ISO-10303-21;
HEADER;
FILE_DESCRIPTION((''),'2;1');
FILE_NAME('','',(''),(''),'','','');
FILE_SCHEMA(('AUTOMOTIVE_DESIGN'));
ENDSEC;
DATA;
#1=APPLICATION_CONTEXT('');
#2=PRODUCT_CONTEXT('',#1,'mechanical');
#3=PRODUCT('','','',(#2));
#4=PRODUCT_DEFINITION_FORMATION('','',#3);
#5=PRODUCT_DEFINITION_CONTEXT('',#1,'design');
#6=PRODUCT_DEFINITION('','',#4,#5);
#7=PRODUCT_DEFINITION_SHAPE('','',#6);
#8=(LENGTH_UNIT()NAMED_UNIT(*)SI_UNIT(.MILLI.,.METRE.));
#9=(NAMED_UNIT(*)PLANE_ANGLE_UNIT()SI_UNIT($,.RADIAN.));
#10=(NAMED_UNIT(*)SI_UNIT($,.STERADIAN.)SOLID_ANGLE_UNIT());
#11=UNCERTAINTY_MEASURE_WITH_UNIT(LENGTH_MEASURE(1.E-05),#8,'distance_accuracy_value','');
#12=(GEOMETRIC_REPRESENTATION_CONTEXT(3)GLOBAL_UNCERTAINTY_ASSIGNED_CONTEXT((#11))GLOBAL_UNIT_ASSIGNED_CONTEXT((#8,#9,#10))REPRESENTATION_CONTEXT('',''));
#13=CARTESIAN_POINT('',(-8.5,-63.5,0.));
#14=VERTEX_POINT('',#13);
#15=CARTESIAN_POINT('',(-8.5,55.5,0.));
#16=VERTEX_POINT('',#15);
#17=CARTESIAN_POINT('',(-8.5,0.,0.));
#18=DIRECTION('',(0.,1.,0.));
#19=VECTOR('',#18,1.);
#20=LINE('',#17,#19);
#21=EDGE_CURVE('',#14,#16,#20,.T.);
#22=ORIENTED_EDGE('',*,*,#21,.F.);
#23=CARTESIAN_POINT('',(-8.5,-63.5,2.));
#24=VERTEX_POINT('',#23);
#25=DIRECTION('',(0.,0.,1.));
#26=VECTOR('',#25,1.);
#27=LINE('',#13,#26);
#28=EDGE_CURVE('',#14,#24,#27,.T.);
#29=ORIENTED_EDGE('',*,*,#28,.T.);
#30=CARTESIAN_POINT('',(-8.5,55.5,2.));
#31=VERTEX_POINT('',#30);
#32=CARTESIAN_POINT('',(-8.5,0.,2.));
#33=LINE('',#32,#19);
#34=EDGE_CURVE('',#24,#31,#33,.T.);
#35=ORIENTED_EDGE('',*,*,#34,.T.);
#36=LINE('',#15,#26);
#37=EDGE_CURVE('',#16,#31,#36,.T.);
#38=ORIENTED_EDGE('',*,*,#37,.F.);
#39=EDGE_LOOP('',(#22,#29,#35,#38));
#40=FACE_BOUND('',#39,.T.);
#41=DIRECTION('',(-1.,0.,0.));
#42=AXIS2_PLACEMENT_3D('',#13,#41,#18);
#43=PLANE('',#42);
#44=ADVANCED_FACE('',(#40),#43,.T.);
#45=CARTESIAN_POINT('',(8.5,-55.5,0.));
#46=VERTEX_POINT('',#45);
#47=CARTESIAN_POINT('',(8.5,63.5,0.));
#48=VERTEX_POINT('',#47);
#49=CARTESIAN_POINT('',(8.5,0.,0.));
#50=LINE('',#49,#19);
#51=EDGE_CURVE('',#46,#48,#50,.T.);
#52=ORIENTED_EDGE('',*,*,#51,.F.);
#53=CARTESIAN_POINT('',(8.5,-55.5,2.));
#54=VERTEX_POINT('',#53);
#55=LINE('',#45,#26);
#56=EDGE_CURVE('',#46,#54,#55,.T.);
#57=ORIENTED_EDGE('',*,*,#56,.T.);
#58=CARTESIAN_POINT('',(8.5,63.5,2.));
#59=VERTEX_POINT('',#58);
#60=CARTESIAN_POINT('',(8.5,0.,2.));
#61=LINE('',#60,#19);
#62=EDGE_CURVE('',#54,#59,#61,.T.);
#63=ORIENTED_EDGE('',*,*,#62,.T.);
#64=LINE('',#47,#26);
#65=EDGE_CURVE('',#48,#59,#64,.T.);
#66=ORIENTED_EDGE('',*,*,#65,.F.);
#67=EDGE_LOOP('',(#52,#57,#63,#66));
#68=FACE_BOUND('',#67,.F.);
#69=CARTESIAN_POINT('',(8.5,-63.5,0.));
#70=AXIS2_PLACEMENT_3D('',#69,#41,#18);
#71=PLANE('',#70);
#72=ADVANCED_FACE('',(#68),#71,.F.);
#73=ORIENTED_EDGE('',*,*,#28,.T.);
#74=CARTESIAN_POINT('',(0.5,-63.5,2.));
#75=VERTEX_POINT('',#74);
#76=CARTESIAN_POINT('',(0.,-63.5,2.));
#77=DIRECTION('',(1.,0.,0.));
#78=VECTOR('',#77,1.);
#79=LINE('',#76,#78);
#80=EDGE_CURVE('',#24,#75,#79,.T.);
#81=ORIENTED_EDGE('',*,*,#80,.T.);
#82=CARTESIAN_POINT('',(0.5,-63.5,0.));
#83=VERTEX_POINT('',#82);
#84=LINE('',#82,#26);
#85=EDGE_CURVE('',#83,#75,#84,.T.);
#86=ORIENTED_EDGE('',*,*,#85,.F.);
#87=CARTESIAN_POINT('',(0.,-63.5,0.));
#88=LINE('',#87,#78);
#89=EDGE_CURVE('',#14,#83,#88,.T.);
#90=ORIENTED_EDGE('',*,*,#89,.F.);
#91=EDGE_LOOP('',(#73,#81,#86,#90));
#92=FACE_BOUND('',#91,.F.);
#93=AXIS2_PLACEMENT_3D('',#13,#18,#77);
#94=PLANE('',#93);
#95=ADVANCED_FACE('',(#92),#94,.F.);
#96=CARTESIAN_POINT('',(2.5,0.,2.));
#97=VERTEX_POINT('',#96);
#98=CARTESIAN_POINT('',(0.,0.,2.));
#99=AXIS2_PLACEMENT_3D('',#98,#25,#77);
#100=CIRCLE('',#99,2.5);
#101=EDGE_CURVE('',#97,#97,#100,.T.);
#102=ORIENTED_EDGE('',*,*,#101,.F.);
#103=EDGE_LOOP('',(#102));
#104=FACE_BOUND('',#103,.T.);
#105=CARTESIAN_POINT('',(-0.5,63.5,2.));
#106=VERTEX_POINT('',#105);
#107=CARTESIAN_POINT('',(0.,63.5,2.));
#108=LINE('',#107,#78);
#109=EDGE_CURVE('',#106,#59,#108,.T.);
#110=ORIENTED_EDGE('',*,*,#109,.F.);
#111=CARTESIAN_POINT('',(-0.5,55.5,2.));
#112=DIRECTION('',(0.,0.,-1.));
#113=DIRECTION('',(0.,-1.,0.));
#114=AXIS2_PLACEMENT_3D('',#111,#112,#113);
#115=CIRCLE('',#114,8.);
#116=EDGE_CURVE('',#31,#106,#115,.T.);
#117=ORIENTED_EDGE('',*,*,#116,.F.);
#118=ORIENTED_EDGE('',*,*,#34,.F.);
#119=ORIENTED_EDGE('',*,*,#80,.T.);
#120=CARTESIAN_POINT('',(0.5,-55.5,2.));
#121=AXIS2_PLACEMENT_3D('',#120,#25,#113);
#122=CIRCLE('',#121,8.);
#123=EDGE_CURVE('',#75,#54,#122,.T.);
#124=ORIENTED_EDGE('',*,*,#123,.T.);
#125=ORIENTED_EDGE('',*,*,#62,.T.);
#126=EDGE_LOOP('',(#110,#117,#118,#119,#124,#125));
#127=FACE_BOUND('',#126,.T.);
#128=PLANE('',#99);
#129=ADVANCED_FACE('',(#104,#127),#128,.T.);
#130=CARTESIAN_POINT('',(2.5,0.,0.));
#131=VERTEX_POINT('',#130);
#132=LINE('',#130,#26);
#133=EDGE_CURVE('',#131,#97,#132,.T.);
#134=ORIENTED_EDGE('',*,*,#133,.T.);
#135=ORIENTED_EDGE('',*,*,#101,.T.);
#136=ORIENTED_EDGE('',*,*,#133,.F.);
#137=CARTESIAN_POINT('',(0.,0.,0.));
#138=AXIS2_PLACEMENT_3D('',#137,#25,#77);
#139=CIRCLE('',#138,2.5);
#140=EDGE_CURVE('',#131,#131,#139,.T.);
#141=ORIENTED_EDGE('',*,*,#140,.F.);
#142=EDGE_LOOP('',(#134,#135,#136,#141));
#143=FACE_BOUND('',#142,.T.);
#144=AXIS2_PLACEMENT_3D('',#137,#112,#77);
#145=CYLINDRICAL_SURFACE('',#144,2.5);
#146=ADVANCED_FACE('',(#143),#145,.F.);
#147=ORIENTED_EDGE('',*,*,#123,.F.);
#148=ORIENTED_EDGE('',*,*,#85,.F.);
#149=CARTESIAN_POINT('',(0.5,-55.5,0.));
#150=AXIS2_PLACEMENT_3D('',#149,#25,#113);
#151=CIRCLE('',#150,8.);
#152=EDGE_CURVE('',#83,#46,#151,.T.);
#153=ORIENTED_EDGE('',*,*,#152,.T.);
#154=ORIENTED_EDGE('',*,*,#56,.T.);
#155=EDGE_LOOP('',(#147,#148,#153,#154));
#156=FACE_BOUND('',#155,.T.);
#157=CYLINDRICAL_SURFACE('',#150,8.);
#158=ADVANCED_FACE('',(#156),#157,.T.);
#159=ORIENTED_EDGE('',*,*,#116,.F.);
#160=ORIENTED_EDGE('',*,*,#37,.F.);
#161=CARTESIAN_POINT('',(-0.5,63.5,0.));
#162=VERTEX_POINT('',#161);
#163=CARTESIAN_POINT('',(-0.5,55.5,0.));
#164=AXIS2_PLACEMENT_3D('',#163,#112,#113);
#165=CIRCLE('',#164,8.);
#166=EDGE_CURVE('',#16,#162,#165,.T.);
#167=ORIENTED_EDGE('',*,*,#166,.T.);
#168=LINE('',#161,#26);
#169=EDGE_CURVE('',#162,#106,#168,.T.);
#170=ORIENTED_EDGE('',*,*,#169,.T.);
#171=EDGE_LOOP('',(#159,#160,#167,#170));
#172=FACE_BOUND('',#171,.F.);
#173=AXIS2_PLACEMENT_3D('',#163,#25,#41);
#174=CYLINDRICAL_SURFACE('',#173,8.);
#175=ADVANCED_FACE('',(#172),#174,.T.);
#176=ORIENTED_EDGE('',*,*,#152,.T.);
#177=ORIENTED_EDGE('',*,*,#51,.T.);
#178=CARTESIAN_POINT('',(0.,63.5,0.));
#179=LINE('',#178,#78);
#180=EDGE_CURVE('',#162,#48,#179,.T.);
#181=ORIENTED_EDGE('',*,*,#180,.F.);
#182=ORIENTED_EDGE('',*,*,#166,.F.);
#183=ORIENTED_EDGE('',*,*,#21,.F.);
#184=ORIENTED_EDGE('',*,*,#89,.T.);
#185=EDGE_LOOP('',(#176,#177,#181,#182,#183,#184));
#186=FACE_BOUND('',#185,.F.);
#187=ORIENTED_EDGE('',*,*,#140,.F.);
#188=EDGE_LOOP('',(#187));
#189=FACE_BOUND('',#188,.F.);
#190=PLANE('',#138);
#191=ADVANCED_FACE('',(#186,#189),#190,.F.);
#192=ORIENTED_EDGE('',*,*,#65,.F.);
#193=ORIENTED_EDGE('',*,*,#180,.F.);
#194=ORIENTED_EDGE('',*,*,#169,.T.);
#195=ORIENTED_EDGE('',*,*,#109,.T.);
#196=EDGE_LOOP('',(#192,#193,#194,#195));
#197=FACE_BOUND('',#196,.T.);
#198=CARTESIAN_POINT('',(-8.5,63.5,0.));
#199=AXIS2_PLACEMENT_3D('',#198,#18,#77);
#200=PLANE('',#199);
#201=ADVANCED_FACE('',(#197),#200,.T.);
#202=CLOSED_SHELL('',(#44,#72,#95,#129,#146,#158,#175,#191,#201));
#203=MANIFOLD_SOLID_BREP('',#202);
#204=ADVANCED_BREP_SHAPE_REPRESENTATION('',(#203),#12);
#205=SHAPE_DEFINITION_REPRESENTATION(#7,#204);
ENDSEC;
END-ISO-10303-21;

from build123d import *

# Parameters (mm, degrees)
F0_W     = 17
F0_H     = 127
F0_R     = 2.5
F1_DEPTH = 2
F2_R     = 8


with BuildPart() as f1:
    # F0 (on Top) → F1 (new body)
    with BuildSketch(Plane.XY):
        Rectangle(F0_W, F0_H)
        Circle(F0_R, mode=Mode.SUBTRACT)
    extrude(amount=F1_DEPTH)

    # F2
    f2_edges = [f1.edges().sort_by_distance(p)[0] for p in [
        (-8.5, 63.5, 1),
        (8.5, -63.5, 1),
    ]]
    fillet(f2_edges, radius=F2_R)


solid = f1.part
